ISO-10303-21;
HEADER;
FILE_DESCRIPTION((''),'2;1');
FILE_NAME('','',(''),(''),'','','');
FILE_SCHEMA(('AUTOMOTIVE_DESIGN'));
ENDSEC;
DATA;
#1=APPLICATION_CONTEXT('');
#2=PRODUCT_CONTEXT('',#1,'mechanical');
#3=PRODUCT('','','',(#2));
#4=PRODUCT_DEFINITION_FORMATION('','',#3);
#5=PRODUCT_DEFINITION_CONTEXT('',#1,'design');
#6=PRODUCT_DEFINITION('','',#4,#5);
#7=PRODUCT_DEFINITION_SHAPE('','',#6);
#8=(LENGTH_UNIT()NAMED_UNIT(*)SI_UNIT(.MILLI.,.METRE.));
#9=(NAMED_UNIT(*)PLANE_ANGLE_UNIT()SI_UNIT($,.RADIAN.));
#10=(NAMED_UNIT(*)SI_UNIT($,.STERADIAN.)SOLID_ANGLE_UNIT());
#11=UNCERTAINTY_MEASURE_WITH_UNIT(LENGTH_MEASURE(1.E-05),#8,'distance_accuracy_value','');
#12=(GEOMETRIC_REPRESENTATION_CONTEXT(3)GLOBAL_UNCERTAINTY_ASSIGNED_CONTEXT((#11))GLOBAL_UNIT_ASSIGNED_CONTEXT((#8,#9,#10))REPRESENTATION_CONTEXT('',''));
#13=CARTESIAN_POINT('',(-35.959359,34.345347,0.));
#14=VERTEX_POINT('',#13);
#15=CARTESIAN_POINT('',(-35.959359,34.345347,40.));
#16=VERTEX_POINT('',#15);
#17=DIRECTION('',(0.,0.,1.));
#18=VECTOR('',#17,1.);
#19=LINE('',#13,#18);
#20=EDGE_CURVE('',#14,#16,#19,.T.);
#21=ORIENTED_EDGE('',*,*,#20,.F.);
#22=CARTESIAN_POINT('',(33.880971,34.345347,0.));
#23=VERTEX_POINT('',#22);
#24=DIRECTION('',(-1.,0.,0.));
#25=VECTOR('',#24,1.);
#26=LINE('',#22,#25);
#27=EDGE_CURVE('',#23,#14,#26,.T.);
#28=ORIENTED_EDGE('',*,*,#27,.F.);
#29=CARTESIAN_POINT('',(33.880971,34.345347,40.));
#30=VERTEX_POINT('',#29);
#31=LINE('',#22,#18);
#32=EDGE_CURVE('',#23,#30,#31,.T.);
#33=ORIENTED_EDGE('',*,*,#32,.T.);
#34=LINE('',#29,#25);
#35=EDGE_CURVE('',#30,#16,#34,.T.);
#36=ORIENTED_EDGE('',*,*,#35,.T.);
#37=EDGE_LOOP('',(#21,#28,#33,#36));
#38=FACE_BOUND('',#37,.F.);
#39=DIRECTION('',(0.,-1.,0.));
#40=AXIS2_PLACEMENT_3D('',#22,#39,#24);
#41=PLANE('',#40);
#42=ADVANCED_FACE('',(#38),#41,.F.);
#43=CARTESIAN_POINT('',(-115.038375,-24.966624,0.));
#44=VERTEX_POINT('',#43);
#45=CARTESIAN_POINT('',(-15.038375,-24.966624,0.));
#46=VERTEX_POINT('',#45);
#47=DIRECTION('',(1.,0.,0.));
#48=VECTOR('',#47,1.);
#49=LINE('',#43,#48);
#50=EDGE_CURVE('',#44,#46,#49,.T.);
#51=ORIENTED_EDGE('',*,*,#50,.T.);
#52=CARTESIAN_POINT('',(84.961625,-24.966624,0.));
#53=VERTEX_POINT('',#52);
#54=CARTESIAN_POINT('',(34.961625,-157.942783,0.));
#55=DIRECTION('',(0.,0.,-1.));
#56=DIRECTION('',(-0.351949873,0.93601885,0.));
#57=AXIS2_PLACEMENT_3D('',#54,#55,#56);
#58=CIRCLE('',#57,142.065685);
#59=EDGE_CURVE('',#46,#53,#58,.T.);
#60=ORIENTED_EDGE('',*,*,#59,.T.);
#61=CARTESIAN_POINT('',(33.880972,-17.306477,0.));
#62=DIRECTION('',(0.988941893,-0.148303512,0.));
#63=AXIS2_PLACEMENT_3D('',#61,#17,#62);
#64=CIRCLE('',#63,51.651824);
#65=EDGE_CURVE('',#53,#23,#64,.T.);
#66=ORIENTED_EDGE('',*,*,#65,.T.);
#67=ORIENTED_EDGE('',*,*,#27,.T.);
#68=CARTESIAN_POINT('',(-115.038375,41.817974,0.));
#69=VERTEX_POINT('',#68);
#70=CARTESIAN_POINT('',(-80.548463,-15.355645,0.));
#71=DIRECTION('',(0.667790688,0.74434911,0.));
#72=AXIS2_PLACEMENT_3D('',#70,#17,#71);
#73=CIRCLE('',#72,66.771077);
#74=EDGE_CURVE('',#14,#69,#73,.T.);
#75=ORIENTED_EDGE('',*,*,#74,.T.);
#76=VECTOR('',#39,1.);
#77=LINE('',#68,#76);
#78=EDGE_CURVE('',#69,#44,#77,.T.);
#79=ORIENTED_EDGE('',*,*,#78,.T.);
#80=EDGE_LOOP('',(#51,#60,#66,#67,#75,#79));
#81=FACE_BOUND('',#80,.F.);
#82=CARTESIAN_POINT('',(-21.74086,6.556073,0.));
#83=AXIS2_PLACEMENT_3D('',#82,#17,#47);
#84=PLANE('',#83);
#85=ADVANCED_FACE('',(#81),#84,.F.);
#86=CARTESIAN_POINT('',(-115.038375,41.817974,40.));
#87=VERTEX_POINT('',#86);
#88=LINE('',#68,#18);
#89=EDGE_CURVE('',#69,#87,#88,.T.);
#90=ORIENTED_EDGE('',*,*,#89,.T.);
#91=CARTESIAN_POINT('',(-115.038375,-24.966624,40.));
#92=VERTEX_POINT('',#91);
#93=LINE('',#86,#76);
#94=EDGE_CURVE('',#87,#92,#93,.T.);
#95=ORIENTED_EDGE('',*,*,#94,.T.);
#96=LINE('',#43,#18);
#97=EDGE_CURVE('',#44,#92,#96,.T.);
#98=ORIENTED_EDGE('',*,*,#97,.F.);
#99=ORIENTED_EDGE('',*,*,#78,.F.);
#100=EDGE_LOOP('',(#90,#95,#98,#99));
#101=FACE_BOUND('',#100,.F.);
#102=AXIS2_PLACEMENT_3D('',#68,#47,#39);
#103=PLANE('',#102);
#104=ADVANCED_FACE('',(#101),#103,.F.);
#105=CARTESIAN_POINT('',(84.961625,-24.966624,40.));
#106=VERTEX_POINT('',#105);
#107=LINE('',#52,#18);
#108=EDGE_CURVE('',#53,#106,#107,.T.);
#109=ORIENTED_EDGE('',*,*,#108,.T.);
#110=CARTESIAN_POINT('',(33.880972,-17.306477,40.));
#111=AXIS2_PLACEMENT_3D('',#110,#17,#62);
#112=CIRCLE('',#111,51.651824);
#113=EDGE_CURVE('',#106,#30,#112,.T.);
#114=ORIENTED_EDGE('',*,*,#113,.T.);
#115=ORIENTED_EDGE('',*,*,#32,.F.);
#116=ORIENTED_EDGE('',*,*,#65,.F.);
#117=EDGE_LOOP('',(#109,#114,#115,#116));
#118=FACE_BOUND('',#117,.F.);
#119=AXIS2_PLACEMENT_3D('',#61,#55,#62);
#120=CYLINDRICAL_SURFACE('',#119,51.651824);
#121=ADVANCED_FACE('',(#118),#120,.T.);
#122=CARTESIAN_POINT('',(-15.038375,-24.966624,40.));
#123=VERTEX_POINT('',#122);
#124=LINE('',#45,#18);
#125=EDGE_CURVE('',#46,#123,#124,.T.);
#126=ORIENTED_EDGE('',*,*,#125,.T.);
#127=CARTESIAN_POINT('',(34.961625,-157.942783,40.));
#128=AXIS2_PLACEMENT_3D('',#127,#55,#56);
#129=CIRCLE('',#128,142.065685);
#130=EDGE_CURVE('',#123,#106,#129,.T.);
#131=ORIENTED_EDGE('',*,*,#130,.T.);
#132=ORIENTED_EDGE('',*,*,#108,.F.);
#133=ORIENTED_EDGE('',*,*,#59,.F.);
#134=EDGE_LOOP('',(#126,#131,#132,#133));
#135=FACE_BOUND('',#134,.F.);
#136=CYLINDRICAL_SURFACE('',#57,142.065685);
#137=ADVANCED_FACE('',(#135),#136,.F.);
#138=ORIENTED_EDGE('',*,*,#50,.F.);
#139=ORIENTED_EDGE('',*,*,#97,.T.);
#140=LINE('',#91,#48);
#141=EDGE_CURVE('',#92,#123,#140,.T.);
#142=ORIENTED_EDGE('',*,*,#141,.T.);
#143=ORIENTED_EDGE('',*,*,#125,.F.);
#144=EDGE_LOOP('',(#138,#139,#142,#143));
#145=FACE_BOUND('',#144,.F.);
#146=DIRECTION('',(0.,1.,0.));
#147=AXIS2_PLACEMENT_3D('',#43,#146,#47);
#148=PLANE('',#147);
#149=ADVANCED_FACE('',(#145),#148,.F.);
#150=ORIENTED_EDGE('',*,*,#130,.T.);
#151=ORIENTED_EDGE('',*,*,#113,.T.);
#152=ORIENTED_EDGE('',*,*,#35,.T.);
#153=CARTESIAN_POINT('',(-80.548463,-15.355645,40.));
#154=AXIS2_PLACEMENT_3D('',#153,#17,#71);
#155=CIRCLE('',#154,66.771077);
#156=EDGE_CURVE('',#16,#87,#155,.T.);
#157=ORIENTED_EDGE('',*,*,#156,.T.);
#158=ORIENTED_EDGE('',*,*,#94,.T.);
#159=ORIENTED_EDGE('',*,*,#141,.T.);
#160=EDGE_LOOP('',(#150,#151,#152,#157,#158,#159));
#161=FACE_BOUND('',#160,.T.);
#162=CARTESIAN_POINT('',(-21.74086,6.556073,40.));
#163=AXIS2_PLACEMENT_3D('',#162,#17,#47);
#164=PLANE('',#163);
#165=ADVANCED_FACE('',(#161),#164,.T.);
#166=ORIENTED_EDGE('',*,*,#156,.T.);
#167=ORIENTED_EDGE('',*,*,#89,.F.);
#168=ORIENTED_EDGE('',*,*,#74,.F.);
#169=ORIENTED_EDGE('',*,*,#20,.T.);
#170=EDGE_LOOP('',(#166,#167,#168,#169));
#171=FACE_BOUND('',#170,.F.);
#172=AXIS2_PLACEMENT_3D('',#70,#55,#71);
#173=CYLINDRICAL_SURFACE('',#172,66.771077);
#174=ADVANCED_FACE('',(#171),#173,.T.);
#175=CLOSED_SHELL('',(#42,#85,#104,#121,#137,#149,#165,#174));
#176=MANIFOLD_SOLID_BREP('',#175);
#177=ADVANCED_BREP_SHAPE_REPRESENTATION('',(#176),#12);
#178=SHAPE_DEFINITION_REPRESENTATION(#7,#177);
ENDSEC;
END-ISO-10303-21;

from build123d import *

# Parameters (mm, degrees)
F1_DEPTH = 40


with BuildPart() as f1:
    # F0 (on Top) → F1 (new body)
    with BuildSketch(Plane.XY):
        with BuildLine():
            Line((-115.038375, 41.817974), (-115.038375, -24.966624))
            Line((-115.038375, -24.966624), (-15.038375, -24.966624))
            ThreePointArc((-15.038375, -24.966624), (34.961625, -15.877098), (84.961625, -24.966624))
            ThreePointArc((84.961625, -24.966624), (73.019006, 16.39998), (33.880971, 34.345347))
            Line((33.880971, 34.345347), (-35.959359, 34.345347))
            ThreePointArc((-35.959359, 34.345347), (-74.266866, 51.1193), (-115.038375, 41.817974))
        make_face()
    extrude(amount=F1_DEPTH)


solid = f1.part
